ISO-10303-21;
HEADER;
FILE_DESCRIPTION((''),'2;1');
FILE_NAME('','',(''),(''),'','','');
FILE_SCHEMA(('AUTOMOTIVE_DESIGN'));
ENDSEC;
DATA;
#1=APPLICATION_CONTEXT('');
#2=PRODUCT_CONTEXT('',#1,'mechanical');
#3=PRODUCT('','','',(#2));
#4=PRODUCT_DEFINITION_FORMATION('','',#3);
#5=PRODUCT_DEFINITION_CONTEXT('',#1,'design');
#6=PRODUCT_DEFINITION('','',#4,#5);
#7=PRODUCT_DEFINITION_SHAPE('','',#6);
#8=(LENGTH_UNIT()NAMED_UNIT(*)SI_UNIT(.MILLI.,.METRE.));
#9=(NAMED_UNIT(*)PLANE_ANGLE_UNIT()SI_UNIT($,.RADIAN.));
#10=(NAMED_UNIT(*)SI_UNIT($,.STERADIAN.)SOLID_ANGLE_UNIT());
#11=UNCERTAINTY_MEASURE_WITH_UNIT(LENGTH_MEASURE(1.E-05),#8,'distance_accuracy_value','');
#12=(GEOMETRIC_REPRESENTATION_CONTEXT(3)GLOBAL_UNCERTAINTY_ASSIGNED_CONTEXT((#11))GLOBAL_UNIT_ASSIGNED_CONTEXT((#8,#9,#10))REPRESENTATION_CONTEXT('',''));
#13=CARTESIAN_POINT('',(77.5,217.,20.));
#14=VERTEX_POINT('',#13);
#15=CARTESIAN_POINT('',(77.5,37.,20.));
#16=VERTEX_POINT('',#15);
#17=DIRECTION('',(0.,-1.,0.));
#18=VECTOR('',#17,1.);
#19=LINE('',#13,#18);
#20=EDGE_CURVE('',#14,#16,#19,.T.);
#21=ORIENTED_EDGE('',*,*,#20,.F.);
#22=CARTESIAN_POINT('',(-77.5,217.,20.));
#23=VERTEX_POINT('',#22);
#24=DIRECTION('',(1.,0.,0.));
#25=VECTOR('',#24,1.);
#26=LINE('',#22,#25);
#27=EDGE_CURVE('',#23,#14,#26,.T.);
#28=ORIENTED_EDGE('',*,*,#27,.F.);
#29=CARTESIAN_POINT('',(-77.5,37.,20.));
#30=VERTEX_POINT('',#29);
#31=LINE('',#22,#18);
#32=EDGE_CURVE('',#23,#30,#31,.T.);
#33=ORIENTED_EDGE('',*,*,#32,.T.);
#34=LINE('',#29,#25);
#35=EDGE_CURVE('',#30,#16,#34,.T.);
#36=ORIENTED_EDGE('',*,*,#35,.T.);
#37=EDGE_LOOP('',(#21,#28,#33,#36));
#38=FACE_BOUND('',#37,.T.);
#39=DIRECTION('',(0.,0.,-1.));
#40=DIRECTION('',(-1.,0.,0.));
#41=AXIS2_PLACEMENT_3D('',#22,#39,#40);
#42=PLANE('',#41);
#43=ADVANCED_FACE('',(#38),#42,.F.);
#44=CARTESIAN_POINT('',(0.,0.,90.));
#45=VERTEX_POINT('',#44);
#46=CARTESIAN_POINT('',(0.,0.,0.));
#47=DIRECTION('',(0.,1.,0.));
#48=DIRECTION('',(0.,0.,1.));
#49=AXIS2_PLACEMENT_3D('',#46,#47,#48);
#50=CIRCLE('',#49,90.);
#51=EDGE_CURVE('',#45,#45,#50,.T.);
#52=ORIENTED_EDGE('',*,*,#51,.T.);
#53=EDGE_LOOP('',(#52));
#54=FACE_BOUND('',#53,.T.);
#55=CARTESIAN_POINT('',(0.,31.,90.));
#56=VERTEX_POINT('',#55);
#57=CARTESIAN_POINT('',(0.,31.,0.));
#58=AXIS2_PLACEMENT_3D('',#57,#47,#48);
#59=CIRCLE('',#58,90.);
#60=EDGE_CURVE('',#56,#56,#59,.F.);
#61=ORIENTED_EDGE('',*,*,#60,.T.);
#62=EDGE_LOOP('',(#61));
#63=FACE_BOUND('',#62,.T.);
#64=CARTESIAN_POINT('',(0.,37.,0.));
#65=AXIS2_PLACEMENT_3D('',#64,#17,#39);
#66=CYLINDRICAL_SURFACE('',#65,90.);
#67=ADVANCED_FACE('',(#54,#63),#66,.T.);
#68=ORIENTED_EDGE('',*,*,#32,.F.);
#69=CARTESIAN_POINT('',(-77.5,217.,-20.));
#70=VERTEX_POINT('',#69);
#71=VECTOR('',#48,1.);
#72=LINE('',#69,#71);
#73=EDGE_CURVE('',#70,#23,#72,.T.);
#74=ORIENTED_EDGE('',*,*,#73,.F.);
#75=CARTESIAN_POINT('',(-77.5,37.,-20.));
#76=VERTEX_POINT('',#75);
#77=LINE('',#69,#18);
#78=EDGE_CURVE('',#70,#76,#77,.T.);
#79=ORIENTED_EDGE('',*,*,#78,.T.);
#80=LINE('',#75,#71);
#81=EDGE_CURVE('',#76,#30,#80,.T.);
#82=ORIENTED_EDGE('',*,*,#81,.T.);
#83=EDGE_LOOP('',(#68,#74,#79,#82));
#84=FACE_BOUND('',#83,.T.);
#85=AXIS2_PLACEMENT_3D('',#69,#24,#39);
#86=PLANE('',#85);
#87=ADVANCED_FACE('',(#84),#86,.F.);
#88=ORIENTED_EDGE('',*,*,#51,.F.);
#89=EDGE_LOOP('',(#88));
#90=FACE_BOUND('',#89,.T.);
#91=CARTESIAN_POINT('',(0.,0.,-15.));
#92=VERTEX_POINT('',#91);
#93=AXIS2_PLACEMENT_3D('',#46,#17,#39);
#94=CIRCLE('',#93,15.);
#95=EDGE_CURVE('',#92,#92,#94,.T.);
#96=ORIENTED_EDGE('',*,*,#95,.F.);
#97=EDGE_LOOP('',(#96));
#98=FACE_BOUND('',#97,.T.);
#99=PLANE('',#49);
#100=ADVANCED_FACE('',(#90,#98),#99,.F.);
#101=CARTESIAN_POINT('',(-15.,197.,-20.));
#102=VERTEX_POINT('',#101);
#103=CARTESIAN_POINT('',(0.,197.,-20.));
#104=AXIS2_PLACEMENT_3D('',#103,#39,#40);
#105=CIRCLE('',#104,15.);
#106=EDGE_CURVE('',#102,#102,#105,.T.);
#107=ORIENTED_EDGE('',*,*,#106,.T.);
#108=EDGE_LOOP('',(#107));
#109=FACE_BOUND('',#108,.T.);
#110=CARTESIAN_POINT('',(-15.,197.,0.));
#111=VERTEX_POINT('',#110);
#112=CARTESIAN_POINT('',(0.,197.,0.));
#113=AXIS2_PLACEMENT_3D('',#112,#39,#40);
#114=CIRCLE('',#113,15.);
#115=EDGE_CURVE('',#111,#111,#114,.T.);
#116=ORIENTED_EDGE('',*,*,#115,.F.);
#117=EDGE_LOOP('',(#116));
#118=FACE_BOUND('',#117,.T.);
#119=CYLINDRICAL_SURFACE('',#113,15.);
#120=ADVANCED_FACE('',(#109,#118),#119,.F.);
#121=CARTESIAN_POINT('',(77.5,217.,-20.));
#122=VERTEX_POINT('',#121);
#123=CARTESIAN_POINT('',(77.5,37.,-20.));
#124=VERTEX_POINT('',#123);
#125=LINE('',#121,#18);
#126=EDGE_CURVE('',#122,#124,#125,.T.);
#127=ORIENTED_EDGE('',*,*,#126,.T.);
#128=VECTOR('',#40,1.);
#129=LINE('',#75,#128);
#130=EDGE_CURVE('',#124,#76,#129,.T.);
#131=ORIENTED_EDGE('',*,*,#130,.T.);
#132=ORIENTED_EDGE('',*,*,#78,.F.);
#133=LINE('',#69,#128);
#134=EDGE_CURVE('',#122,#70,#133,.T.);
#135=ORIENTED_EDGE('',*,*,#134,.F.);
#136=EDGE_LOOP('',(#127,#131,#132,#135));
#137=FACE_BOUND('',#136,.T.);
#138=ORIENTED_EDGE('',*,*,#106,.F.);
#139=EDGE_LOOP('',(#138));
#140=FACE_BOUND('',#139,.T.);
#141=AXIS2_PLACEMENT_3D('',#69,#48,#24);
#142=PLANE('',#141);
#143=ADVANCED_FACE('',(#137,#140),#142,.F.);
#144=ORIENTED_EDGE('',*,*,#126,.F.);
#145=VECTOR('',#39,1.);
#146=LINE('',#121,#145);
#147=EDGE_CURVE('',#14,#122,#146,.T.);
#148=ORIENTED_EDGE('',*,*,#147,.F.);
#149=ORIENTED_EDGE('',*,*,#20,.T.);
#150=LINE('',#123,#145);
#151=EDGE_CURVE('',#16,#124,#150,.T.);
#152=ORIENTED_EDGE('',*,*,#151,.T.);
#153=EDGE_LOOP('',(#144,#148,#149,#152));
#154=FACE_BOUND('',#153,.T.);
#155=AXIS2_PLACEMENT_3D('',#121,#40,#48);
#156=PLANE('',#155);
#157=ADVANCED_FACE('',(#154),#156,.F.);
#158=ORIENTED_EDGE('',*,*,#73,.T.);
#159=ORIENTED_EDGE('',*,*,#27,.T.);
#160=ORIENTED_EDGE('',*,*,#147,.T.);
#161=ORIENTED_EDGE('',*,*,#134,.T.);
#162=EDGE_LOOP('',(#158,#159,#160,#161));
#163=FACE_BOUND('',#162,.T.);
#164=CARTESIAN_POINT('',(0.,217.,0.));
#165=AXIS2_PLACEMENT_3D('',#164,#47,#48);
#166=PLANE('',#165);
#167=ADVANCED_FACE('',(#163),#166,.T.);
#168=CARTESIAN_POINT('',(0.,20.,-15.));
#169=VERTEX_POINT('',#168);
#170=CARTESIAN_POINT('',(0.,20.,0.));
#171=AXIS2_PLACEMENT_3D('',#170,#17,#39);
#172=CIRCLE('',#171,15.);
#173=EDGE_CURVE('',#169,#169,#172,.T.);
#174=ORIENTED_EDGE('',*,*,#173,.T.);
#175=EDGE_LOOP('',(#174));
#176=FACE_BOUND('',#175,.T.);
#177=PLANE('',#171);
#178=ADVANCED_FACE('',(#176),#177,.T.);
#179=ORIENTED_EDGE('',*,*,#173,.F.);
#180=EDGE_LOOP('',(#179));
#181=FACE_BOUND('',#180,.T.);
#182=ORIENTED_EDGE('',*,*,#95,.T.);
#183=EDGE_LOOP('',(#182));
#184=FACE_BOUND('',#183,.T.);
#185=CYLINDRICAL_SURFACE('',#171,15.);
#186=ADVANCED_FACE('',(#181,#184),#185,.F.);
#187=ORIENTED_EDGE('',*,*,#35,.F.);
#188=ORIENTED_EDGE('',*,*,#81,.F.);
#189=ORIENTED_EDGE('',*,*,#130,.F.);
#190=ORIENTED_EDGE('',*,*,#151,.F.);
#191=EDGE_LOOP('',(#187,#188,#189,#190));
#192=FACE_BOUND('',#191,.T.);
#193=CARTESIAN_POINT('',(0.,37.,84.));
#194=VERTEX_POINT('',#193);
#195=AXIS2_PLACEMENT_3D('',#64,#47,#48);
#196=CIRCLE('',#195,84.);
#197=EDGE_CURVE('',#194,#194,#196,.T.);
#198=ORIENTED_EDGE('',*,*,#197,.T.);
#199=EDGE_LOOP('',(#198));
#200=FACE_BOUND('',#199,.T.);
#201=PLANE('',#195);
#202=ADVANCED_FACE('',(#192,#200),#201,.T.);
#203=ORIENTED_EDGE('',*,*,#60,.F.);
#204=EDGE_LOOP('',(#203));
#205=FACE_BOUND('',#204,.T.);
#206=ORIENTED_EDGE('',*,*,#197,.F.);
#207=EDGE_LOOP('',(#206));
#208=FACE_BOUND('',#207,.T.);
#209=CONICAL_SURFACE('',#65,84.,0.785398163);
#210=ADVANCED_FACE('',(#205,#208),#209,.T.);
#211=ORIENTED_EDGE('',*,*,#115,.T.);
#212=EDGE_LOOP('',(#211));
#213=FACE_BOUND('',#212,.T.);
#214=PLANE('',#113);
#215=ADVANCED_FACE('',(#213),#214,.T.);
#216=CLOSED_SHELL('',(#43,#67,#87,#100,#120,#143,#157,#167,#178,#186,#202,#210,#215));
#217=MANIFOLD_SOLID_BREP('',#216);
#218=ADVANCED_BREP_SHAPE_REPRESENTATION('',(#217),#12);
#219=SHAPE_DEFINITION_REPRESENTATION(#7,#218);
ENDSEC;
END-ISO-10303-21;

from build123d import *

# Parameters (mm, degrees)
SKETCH2_R           = 90
BOSS_EXTRUDE1_DEPTH = 37
CHAMFER1_SIZE       = 6
SKETCH3_W           = 155
SKETCH3_H           = 40
BOSS_EXTRUDE2_DEPTH = 180
SKETCH30_R          = 15
CUT_EXTRUDE1_DEPTH  = 20
SKETCH31_R          = 15
CUT_EXTRUDE2_DEPTH  = 20


with BuildPart() as part:
    # Sketch2 → Boss-Extrude1 (new body)
    with BuildSketch(Plane(origin=(0, 0, 0), x_dir=(1, 0, 0), z_dir=(0, 1, 0))):
        with Locations(Location((0, 0, 0), (0, 0, 270))):
            Circle(SKETCH2_R)
    extrude(amount=BOSS_EXTRUDE1_DEPTH)

    # Chamfer1
    chamfer1_edges = [part.edges().sort_by_distance(p)[0] for p in [
        (0, 37, -90),
    ]]
    chamfer(chamfer1_edges, length=CHAMFER1_SIZE)

    # Sketch3 → Boss-Extrude2 (add)
    with BuildSketch(Plane(origin=(0, 37, 0), x_dir=(1, 0, 0), z_dir=(0, 1, 0))):
        Rectangle(SKETCH3_W, SKETCH3_H)
    extrude(amount=BOSS_EXTRUDE2_DEPTH)

    # Sketch30 → Cut-Extrude1 (cut)
    with BuildSketch(Plane.XZ):
        with Locations(Location((0, 0, 0), (0, 0, 270))):
            Circle(SKETCH30_R)
    extrude(amount=-CUT_EXTRUDE1_DEPTH, mode=Mode.SUBTRACT)

    # Sketch31 → Cut-Extrude2 (cut)
    with BuildSketch(Plane(origin=(0, 0, -20), x_dir=(-1, 0, 0), z_dir=(0, 0, -1))):
        with Locations((0, 197)):
            Circle(SKETCH31_R)
    extrude(amount=-CUT_EXTRUDE2_DEPTH, mode=Mode.SUBTRACT)


solid = part.part
